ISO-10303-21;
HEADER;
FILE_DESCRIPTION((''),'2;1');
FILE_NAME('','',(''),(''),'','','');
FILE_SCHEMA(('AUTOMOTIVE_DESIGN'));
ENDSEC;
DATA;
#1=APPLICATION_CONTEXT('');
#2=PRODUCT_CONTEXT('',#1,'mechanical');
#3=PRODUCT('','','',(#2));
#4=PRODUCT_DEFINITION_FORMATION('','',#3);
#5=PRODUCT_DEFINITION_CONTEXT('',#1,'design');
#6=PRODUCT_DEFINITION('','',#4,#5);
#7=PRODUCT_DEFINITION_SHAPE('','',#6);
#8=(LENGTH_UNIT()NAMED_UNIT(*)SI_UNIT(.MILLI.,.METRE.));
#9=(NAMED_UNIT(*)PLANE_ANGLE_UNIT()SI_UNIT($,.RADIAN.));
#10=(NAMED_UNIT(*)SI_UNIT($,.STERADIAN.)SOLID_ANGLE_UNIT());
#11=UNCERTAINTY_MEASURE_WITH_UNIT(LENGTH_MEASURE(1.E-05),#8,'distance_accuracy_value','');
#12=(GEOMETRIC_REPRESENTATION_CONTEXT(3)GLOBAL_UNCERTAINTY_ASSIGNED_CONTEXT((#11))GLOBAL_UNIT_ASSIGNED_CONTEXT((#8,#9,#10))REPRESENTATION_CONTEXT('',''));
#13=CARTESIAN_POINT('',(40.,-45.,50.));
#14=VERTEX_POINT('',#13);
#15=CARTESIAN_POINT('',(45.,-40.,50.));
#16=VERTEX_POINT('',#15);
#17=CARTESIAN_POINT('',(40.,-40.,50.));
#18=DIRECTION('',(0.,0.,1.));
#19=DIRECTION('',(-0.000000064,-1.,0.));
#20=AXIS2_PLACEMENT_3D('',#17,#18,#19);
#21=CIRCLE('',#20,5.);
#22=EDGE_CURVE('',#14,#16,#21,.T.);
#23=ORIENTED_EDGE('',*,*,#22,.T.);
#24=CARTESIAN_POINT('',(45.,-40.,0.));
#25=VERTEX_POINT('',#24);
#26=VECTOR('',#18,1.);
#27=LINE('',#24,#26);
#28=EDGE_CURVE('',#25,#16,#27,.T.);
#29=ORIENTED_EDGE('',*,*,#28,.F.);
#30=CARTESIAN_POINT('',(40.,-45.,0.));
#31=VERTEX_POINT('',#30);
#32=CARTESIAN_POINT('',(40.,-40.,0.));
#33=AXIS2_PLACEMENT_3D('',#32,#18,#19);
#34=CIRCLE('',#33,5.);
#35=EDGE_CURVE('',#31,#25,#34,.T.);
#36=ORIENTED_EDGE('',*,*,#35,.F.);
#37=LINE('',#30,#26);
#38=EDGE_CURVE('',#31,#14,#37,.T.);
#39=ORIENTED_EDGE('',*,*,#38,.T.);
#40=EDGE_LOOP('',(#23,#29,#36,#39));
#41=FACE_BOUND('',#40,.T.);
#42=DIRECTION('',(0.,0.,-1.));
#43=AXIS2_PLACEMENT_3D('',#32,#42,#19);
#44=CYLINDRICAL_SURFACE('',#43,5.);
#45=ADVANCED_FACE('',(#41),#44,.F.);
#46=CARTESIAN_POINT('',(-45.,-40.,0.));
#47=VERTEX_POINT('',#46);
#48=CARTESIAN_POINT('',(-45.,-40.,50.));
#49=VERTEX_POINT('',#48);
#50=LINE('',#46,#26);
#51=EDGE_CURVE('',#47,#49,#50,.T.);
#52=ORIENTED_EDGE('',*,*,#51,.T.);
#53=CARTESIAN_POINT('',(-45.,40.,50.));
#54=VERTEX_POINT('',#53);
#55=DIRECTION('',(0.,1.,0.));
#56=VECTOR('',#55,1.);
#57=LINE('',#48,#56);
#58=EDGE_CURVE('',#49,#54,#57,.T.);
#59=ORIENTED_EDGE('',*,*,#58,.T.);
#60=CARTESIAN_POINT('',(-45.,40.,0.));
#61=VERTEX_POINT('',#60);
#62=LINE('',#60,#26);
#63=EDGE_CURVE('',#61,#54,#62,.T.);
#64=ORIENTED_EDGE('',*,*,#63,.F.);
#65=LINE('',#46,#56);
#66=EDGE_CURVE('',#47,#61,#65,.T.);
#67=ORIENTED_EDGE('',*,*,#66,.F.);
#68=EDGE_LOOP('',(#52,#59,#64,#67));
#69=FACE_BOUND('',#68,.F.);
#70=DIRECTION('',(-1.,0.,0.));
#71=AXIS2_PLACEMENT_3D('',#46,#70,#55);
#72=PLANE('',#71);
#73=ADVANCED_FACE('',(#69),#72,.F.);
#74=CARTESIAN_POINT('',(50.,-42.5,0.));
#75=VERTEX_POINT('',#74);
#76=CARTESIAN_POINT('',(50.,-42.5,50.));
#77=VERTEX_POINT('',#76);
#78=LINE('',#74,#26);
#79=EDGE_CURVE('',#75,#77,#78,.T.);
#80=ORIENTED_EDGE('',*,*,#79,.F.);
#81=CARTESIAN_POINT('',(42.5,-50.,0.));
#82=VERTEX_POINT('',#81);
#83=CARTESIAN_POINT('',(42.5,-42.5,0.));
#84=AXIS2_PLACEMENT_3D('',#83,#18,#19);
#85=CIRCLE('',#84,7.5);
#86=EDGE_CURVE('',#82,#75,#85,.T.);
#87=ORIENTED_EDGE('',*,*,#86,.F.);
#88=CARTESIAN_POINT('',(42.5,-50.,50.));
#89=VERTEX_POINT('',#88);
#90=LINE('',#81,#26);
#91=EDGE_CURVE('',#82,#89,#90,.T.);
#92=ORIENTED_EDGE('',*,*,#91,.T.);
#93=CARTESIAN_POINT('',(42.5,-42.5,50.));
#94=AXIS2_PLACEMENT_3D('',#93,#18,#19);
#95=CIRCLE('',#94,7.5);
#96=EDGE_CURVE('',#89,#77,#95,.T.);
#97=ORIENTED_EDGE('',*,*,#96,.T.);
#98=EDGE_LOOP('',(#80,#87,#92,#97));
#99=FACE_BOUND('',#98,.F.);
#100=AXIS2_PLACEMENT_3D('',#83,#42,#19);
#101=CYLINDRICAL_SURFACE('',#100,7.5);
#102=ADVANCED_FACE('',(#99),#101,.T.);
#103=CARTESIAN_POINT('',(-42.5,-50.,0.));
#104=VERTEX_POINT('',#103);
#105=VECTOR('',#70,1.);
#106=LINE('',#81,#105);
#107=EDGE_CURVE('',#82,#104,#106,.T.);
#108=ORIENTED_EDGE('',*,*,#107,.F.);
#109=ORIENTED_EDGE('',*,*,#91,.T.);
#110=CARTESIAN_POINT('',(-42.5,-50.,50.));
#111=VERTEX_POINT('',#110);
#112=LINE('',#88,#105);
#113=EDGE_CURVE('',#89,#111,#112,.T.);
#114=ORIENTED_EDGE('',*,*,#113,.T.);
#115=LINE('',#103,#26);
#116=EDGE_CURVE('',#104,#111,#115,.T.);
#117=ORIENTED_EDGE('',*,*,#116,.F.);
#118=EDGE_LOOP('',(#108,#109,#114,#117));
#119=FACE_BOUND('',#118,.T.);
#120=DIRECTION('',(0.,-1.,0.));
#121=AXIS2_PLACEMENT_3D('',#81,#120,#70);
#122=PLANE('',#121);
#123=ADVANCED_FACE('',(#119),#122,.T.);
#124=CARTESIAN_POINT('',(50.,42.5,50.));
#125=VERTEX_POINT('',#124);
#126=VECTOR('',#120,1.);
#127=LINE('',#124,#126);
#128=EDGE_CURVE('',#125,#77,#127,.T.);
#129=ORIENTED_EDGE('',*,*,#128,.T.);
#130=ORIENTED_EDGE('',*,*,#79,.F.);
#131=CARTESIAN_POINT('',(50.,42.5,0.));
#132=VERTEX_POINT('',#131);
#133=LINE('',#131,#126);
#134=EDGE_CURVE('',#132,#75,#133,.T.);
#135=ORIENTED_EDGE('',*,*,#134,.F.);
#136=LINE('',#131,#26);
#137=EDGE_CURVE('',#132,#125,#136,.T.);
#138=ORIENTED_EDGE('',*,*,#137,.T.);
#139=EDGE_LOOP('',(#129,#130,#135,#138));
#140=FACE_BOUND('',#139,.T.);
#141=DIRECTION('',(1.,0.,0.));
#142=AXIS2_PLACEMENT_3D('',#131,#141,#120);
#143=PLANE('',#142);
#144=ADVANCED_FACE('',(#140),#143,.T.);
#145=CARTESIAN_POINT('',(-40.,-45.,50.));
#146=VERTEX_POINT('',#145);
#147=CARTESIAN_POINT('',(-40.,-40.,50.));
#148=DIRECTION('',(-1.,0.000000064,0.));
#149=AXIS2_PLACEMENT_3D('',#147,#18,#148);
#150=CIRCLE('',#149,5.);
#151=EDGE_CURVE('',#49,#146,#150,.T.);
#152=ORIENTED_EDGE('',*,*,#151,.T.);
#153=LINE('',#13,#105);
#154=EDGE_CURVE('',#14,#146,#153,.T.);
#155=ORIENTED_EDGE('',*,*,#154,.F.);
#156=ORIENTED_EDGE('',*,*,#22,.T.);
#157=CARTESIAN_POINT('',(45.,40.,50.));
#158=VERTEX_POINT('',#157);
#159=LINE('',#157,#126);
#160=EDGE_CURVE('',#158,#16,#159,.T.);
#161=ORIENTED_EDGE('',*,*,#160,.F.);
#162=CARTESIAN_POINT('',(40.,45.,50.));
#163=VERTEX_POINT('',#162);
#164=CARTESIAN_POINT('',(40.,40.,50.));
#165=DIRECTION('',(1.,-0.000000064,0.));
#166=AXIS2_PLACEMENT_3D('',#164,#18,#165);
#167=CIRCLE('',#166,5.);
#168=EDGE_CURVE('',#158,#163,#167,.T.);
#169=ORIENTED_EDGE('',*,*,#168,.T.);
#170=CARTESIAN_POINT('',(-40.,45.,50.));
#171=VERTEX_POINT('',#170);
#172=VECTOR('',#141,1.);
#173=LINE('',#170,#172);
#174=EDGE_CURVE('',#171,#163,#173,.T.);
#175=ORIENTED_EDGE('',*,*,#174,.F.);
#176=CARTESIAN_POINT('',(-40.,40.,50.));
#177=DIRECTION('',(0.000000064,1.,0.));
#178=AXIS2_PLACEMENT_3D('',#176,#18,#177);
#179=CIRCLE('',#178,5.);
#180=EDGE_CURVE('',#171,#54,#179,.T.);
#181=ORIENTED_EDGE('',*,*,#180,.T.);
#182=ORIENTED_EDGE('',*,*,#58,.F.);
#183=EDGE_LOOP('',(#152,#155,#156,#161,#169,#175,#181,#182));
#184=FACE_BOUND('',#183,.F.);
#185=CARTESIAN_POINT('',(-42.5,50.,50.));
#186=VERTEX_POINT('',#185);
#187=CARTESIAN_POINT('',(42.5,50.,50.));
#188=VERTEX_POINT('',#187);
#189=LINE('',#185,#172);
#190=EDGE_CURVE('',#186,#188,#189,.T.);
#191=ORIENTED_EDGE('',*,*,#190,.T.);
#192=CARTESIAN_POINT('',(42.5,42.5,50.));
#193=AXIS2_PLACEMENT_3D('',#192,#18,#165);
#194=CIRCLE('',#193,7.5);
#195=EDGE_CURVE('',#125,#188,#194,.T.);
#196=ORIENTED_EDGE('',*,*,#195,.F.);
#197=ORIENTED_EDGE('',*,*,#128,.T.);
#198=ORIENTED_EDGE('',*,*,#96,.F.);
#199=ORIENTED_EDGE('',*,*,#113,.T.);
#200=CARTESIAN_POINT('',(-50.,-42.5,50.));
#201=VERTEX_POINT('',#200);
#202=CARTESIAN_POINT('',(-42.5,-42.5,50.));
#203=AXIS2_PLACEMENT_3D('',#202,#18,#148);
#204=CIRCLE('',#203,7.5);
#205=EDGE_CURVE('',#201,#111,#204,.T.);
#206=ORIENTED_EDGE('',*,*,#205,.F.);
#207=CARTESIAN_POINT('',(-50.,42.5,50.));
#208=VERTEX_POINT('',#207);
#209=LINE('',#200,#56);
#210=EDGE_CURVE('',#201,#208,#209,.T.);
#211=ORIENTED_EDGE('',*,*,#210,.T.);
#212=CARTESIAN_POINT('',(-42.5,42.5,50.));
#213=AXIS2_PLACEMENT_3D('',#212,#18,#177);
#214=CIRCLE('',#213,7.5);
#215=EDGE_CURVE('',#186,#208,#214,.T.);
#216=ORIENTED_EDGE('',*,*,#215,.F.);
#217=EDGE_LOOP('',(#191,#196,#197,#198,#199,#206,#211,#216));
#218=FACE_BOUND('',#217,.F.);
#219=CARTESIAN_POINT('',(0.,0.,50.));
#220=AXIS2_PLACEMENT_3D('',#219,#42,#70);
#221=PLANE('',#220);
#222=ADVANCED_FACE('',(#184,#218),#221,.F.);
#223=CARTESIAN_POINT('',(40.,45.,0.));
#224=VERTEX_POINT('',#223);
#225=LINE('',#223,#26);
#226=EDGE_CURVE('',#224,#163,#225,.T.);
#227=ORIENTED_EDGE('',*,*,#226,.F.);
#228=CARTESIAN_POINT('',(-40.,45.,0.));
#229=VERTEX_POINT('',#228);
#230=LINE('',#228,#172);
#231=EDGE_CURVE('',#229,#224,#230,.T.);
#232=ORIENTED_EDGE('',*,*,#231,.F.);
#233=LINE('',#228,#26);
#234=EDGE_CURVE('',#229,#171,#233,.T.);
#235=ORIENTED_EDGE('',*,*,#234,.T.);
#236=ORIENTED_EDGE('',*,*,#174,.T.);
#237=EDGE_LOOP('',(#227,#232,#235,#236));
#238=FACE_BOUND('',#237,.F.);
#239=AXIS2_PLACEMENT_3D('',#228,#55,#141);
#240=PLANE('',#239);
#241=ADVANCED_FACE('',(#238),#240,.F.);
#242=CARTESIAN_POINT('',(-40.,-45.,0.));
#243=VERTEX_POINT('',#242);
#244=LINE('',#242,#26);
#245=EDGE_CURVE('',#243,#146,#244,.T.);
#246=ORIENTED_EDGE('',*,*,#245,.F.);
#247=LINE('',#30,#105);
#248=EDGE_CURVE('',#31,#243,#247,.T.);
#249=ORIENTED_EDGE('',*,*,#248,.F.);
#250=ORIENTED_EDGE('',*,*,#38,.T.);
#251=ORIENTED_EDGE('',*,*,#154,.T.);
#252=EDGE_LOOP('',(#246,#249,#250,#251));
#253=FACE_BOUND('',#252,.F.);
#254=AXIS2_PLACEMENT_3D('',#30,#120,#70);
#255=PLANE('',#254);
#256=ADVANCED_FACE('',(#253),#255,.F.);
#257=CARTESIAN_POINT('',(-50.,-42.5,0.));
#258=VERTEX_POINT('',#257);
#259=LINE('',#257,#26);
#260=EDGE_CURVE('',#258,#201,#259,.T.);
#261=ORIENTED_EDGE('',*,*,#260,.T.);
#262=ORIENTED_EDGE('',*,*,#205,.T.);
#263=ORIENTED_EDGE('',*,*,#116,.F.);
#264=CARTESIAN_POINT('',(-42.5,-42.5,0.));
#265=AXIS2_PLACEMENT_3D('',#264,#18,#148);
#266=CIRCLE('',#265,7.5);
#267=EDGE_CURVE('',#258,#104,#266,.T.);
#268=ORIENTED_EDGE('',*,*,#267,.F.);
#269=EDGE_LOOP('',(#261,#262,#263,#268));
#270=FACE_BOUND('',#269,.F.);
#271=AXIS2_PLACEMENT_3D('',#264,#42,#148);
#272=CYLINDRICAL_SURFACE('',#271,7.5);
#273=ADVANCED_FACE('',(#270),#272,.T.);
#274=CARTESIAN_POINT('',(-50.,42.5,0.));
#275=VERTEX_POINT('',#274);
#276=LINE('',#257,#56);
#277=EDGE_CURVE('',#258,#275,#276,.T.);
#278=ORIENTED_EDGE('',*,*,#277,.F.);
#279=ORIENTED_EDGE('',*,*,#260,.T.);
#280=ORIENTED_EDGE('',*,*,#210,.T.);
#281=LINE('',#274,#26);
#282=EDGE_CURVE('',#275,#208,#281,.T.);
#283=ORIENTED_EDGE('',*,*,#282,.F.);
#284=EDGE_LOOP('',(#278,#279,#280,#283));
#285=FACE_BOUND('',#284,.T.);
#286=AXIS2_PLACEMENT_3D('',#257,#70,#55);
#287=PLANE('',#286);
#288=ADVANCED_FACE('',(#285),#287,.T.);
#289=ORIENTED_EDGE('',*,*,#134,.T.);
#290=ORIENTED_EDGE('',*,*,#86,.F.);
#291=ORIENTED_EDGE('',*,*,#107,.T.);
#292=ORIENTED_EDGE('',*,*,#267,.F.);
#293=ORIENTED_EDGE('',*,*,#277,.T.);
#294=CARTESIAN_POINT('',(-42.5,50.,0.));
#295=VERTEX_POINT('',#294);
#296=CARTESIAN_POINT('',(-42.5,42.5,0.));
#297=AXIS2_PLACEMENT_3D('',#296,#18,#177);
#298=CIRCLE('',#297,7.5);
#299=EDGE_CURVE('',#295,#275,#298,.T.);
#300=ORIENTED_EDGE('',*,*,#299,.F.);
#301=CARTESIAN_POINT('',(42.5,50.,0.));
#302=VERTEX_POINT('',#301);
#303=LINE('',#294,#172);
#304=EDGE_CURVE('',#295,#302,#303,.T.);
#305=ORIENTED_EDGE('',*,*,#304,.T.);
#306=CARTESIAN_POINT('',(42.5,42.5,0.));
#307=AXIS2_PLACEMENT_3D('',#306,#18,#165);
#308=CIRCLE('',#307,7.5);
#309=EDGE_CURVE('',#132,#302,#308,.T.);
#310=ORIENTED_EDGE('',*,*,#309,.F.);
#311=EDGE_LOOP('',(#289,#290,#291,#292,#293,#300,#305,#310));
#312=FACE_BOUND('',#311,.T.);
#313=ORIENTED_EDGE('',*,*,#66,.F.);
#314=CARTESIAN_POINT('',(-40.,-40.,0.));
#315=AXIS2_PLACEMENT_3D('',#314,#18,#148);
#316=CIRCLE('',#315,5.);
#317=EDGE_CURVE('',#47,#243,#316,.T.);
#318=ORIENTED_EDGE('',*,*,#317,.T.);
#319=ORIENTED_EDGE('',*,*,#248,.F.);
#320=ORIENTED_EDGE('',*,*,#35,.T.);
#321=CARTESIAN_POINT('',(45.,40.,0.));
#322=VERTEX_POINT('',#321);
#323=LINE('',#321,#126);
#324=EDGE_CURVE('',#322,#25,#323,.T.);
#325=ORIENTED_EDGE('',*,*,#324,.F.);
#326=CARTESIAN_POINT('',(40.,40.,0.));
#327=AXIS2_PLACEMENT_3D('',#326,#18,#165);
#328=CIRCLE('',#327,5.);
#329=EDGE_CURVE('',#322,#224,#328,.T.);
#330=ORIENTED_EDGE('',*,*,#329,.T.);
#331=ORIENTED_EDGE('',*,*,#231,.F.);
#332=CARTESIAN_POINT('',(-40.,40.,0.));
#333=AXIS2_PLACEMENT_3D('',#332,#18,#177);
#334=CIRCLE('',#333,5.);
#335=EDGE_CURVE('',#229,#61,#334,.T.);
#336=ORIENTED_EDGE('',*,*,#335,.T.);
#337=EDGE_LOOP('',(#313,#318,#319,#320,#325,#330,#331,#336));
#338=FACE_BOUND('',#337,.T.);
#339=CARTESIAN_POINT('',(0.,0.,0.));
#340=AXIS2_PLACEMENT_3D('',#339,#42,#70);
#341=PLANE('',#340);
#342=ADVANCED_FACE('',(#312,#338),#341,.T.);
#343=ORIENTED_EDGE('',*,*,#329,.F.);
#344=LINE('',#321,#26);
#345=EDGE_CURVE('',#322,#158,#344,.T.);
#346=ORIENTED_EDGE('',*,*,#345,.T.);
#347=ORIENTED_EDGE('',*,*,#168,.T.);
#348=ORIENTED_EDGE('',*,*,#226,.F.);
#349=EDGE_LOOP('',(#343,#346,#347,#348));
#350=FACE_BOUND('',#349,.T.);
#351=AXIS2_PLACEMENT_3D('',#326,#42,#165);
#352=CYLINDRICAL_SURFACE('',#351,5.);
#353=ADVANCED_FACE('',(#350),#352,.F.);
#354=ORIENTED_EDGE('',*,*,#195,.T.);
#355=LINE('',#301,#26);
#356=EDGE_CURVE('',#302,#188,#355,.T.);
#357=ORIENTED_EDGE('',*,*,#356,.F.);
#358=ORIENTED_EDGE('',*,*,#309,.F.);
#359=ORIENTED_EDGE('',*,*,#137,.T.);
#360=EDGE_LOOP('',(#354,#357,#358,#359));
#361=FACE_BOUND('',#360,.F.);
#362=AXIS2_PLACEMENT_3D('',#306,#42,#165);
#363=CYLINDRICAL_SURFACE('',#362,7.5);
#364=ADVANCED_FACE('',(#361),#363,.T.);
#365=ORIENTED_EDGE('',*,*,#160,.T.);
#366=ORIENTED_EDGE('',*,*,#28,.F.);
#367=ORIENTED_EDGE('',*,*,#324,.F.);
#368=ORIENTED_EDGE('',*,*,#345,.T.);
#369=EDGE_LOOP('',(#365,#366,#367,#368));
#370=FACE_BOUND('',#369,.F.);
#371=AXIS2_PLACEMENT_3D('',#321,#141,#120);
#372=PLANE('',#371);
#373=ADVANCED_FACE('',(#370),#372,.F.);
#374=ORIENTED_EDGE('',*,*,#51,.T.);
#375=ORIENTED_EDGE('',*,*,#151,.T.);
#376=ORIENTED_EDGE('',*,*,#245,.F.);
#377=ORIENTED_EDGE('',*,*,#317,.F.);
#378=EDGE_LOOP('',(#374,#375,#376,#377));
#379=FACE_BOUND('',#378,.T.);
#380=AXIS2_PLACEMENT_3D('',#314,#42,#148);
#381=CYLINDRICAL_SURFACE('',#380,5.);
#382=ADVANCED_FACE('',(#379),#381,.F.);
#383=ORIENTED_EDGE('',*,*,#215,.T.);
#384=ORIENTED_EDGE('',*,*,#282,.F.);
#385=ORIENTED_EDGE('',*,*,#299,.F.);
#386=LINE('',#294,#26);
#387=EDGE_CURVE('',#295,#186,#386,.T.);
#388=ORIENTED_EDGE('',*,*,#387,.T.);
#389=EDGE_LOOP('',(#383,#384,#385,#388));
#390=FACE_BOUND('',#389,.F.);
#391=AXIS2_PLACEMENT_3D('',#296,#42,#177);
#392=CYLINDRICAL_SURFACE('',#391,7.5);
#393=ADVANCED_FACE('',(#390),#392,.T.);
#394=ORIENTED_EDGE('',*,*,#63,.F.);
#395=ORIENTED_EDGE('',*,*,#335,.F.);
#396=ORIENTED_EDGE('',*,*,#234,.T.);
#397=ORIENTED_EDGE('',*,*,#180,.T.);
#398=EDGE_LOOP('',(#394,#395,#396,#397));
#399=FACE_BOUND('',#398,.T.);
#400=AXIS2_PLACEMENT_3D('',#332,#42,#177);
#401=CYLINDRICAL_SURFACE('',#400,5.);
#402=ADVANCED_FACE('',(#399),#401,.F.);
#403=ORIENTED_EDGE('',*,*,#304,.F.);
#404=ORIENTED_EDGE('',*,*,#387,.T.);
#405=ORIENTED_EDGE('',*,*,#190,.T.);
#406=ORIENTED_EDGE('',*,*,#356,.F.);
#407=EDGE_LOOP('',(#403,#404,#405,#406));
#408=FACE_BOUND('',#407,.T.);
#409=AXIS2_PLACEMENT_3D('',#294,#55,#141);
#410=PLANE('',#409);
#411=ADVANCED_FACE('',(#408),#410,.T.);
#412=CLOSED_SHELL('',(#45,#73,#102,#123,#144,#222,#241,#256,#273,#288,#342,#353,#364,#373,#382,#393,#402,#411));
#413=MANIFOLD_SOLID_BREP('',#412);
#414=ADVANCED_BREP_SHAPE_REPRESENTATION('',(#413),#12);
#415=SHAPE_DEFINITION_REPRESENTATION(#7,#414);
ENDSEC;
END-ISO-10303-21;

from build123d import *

# Parameters (mm, degrees)
EXTRUDE_DEPTH = 50


with BuildPart() as part:
    # Sketch → Extrude (new body)
    with BuildSketch(Plane.XY):
        with BuildLine():
            Line((-42.5, 50), (42.5, 50))
            ThreePointArc((50, 42.5), (47.803301, 47.803301), (42.5, 50))
            Line((50, 42.5), (50, -42.5))
            ThreePointArc((42.5, -50), (47.803301, -47.803301), (50, -42.5))
            Line((42.5, -50), (-42.5, -50))
            ThreePointArc((-50, -42.5), (-47.803301, -47.803301), (-42.5, -50))
            Line((-50, -42.5), (-50, 42.5))
            ThreePointArc((-42.5, 50), (-47.803301, 47.803301), (-50, 42.5))
        make_face()
        with BuildLine():
            Line((-40, 45), (40, 45))
            ThreePointArc((45, 40), (43.535534, 43.535534), (40, 45))
            Line((45, 40), (45, -40))
            ThreePointArc((40, -45), (43.535534, -43.535534), (45, -40))
            Line((40, -45), (-40, -45))
            ThreePointArc((-45, -40), (-43.535534, -43.535534), (-40, -45))
            Line((-45, -40), (-45, 40))
            ThreePointArc((-40, 45), (-43.535534, 43.535534), (-45, 40))
        make_face(mode=Mode.SUBTRACT)
    extrude(amount=EXTRUDE_DEPTH)


solid = part.part
